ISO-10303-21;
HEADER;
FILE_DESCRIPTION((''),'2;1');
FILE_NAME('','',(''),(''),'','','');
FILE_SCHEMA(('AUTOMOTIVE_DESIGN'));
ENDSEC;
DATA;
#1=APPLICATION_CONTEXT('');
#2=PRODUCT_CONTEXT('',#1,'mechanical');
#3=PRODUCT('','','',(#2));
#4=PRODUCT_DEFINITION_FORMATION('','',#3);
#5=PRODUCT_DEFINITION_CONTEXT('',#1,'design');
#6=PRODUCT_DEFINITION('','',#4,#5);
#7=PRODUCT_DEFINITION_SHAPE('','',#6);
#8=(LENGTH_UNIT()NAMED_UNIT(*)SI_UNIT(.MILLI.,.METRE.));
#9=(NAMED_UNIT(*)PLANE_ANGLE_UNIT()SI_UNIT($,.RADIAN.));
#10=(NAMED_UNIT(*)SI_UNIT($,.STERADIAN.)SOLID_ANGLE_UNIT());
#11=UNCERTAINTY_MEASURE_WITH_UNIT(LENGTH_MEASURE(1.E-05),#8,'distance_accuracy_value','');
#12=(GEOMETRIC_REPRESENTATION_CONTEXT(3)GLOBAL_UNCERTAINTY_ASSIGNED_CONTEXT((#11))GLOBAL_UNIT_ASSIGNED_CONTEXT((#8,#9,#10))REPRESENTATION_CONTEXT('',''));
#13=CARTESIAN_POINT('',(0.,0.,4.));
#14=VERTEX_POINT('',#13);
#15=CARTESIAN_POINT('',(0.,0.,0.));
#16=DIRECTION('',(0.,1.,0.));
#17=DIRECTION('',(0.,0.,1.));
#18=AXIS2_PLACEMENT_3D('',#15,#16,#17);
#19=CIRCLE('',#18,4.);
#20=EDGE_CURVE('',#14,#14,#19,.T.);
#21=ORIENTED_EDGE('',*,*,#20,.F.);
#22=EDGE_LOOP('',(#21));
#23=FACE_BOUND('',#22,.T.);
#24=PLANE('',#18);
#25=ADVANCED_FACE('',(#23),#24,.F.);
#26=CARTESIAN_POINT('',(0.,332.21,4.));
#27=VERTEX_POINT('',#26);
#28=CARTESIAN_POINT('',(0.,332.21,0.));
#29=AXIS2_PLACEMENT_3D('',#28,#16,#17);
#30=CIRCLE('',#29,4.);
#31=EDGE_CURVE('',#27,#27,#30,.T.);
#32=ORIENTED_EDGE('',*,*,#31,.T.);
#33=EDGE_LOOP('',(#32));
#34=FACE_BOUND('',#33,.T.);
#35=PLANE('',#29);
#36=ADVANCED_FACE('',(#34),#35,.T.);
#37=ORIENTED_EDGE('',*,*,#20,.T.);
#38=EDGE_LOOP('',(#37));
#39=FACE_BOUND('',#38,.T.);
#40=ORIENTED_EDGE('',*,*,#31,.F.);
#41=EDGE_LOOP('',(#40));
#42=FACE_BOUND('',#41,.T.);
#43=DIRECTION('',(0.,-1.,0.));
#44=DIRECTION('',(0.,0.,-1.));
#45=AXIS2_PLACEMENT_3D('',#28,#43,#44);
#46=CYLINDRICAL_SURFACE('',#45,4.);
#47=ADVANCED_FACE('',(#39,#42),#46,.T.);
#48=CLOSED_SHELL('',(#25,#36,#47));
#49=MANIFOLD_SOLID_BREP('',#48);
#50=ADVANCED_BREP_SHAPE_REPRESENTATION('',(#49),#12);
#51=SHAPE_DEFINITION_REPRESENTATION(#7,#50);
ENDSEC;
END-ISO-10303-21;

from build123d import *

# Parameters (mm, degrees)
CROQUIS1_R              = 4
SALIENTE_EXTRUIR1_DEPTH = 332.21


with BuildPart() as part:
    # Croquis1 → Saliente-Extruir1 (new body)
    with BuildSketch(Plane(origin=(0, 0, 0), x_dir=(1, 0, 0), z_dir=(0, 1, 0))):
        Circle(CROQUIS1_R)
    extrude(amount=SALIENTE_EXTRUIR1_DEPTH)


solid = part.part
